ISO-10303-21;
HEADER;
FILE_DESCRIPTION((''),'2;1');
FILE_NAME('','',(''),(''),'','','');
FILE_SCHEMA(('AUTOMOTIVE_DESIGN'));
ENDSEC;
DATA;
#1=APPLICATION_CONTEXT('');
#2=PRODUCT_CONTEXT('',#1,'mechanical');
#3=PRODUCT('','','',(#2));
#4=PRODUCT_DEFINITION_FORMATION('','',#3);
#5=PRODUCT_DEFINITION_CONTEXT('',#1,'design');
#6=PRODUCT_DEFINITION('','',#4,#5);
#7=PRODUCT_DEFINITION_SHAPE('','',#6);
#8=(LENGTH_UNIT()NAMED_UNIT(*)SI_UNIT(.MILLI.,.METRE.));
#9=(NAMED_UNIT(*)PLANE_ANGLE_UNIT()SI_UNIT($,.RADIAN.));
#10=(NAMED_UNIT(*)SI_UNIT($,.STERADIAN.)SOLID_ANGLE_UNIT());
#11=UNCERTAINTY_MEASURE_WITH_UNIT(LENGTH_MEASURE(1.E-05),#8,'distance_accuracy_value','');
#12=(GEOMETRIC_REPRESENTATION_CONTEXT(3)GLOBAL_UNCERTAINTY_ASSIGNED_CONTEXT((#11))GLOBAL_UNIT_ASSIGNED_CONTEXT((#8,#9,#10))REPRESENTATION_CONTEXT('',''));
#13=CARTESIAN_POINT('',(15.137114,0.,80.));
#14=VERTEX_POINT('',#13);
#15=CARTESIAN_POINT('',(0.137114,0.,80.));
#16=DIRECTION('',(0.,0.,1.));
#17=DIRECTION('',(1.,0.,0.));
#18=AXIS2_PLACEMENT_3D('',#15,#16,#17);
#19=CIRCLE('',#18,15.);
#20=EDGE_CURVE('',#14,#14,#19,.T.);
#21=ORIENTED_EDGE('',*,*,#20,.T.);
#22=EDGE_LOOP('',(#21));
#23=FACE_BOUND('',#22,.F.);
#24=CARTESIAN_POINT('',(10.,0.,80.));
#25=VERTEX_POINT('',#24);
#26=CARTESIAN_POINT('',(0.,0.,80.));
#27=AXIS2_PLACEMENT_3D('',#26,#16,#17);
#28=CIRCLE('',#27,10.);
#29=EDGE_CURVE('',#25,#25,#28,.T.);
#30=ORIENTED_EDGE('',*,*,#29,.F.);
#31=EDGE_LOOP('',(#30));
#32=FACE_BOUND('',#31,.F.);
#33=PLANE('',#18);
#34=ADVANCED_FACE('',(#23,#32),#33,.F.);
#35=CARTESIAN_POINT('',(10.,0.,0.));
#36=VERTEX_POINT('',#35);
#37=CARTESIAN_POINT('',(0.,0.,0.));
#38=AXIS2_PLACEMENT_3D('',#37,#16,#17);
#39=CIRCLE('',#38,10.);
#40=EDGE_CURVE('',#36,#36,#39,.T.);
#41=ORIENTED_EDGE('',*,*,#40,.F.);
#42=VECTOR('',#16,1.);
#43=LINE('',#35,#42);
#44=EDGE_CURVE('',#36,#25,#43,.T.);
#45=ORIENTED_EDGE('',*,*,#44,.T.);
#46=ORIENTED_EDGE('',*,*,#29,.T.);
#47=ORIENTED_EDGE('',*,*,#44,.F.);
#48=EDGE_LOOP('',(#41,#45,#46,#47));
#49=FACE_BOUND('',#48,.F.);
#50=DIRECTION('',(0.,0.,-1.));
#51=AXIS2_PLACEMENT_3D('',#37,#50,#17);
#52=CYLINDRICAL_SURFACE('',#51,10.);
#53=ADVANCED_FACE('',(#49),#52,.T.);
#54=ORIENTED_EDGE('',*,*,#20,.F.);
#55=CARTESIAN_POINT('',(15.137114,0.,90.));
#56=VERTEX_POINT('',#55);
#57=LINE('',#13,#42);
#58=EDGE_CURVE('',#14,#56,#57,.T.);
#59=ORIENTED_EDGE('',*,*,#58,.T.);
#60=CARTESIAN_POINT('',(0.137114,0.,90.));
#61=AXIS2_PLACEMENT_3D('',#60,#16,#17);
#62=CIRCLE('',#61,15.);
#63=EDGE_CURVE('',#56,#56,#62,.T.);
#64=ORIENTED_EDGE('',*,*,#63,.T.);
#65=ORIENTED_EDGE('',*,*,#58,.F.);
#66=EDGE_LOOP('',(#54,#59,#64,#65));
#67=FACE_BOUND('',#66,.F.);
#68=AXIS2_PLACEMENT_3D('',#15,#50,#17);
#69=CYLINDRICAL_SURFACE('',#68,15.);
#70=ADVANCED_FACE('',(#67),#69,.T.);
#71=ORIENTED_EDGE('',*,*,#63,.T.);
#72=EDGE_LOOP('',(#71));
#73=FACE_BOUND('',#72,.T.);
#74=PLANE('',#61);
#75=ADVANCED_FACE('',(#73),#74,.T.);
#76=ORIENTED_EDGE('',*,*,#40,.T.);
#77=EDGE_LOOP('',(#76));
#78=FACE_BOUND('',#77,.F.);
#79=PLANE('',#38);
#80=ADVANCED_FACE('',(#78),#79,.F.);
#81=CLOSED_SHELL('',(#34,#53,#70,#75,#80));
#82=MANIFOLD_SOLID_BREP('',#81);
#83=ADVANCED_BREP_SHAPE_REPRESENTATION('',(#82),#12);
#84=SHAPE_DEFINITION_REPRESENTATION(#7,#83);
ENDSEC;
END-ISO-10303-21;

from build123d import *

# Parameters (mm, degrees)
SKETCH_R     = 10
PAD_DEPTH    = 80
SKETCH001_R  = 15
PAD001_DEPTH = 10


with BuildPart() as part:
    # Sketch → Pad (new body)
    with BuildSketch(Plane.XY):
        Circle(SKETCH_R)
    extrude(amount=PAD_DEPTH)

    # Sketch001 (on Face3 of Pad) → Pad001 (new body)
    with BuildSketch(Plane.XY.offset(80)):
        with Locations((0.137114, 0)):
            Circle(SKETCH001_R)
    extrude(amount=PAD001_DEPTH)


solid = part.part
